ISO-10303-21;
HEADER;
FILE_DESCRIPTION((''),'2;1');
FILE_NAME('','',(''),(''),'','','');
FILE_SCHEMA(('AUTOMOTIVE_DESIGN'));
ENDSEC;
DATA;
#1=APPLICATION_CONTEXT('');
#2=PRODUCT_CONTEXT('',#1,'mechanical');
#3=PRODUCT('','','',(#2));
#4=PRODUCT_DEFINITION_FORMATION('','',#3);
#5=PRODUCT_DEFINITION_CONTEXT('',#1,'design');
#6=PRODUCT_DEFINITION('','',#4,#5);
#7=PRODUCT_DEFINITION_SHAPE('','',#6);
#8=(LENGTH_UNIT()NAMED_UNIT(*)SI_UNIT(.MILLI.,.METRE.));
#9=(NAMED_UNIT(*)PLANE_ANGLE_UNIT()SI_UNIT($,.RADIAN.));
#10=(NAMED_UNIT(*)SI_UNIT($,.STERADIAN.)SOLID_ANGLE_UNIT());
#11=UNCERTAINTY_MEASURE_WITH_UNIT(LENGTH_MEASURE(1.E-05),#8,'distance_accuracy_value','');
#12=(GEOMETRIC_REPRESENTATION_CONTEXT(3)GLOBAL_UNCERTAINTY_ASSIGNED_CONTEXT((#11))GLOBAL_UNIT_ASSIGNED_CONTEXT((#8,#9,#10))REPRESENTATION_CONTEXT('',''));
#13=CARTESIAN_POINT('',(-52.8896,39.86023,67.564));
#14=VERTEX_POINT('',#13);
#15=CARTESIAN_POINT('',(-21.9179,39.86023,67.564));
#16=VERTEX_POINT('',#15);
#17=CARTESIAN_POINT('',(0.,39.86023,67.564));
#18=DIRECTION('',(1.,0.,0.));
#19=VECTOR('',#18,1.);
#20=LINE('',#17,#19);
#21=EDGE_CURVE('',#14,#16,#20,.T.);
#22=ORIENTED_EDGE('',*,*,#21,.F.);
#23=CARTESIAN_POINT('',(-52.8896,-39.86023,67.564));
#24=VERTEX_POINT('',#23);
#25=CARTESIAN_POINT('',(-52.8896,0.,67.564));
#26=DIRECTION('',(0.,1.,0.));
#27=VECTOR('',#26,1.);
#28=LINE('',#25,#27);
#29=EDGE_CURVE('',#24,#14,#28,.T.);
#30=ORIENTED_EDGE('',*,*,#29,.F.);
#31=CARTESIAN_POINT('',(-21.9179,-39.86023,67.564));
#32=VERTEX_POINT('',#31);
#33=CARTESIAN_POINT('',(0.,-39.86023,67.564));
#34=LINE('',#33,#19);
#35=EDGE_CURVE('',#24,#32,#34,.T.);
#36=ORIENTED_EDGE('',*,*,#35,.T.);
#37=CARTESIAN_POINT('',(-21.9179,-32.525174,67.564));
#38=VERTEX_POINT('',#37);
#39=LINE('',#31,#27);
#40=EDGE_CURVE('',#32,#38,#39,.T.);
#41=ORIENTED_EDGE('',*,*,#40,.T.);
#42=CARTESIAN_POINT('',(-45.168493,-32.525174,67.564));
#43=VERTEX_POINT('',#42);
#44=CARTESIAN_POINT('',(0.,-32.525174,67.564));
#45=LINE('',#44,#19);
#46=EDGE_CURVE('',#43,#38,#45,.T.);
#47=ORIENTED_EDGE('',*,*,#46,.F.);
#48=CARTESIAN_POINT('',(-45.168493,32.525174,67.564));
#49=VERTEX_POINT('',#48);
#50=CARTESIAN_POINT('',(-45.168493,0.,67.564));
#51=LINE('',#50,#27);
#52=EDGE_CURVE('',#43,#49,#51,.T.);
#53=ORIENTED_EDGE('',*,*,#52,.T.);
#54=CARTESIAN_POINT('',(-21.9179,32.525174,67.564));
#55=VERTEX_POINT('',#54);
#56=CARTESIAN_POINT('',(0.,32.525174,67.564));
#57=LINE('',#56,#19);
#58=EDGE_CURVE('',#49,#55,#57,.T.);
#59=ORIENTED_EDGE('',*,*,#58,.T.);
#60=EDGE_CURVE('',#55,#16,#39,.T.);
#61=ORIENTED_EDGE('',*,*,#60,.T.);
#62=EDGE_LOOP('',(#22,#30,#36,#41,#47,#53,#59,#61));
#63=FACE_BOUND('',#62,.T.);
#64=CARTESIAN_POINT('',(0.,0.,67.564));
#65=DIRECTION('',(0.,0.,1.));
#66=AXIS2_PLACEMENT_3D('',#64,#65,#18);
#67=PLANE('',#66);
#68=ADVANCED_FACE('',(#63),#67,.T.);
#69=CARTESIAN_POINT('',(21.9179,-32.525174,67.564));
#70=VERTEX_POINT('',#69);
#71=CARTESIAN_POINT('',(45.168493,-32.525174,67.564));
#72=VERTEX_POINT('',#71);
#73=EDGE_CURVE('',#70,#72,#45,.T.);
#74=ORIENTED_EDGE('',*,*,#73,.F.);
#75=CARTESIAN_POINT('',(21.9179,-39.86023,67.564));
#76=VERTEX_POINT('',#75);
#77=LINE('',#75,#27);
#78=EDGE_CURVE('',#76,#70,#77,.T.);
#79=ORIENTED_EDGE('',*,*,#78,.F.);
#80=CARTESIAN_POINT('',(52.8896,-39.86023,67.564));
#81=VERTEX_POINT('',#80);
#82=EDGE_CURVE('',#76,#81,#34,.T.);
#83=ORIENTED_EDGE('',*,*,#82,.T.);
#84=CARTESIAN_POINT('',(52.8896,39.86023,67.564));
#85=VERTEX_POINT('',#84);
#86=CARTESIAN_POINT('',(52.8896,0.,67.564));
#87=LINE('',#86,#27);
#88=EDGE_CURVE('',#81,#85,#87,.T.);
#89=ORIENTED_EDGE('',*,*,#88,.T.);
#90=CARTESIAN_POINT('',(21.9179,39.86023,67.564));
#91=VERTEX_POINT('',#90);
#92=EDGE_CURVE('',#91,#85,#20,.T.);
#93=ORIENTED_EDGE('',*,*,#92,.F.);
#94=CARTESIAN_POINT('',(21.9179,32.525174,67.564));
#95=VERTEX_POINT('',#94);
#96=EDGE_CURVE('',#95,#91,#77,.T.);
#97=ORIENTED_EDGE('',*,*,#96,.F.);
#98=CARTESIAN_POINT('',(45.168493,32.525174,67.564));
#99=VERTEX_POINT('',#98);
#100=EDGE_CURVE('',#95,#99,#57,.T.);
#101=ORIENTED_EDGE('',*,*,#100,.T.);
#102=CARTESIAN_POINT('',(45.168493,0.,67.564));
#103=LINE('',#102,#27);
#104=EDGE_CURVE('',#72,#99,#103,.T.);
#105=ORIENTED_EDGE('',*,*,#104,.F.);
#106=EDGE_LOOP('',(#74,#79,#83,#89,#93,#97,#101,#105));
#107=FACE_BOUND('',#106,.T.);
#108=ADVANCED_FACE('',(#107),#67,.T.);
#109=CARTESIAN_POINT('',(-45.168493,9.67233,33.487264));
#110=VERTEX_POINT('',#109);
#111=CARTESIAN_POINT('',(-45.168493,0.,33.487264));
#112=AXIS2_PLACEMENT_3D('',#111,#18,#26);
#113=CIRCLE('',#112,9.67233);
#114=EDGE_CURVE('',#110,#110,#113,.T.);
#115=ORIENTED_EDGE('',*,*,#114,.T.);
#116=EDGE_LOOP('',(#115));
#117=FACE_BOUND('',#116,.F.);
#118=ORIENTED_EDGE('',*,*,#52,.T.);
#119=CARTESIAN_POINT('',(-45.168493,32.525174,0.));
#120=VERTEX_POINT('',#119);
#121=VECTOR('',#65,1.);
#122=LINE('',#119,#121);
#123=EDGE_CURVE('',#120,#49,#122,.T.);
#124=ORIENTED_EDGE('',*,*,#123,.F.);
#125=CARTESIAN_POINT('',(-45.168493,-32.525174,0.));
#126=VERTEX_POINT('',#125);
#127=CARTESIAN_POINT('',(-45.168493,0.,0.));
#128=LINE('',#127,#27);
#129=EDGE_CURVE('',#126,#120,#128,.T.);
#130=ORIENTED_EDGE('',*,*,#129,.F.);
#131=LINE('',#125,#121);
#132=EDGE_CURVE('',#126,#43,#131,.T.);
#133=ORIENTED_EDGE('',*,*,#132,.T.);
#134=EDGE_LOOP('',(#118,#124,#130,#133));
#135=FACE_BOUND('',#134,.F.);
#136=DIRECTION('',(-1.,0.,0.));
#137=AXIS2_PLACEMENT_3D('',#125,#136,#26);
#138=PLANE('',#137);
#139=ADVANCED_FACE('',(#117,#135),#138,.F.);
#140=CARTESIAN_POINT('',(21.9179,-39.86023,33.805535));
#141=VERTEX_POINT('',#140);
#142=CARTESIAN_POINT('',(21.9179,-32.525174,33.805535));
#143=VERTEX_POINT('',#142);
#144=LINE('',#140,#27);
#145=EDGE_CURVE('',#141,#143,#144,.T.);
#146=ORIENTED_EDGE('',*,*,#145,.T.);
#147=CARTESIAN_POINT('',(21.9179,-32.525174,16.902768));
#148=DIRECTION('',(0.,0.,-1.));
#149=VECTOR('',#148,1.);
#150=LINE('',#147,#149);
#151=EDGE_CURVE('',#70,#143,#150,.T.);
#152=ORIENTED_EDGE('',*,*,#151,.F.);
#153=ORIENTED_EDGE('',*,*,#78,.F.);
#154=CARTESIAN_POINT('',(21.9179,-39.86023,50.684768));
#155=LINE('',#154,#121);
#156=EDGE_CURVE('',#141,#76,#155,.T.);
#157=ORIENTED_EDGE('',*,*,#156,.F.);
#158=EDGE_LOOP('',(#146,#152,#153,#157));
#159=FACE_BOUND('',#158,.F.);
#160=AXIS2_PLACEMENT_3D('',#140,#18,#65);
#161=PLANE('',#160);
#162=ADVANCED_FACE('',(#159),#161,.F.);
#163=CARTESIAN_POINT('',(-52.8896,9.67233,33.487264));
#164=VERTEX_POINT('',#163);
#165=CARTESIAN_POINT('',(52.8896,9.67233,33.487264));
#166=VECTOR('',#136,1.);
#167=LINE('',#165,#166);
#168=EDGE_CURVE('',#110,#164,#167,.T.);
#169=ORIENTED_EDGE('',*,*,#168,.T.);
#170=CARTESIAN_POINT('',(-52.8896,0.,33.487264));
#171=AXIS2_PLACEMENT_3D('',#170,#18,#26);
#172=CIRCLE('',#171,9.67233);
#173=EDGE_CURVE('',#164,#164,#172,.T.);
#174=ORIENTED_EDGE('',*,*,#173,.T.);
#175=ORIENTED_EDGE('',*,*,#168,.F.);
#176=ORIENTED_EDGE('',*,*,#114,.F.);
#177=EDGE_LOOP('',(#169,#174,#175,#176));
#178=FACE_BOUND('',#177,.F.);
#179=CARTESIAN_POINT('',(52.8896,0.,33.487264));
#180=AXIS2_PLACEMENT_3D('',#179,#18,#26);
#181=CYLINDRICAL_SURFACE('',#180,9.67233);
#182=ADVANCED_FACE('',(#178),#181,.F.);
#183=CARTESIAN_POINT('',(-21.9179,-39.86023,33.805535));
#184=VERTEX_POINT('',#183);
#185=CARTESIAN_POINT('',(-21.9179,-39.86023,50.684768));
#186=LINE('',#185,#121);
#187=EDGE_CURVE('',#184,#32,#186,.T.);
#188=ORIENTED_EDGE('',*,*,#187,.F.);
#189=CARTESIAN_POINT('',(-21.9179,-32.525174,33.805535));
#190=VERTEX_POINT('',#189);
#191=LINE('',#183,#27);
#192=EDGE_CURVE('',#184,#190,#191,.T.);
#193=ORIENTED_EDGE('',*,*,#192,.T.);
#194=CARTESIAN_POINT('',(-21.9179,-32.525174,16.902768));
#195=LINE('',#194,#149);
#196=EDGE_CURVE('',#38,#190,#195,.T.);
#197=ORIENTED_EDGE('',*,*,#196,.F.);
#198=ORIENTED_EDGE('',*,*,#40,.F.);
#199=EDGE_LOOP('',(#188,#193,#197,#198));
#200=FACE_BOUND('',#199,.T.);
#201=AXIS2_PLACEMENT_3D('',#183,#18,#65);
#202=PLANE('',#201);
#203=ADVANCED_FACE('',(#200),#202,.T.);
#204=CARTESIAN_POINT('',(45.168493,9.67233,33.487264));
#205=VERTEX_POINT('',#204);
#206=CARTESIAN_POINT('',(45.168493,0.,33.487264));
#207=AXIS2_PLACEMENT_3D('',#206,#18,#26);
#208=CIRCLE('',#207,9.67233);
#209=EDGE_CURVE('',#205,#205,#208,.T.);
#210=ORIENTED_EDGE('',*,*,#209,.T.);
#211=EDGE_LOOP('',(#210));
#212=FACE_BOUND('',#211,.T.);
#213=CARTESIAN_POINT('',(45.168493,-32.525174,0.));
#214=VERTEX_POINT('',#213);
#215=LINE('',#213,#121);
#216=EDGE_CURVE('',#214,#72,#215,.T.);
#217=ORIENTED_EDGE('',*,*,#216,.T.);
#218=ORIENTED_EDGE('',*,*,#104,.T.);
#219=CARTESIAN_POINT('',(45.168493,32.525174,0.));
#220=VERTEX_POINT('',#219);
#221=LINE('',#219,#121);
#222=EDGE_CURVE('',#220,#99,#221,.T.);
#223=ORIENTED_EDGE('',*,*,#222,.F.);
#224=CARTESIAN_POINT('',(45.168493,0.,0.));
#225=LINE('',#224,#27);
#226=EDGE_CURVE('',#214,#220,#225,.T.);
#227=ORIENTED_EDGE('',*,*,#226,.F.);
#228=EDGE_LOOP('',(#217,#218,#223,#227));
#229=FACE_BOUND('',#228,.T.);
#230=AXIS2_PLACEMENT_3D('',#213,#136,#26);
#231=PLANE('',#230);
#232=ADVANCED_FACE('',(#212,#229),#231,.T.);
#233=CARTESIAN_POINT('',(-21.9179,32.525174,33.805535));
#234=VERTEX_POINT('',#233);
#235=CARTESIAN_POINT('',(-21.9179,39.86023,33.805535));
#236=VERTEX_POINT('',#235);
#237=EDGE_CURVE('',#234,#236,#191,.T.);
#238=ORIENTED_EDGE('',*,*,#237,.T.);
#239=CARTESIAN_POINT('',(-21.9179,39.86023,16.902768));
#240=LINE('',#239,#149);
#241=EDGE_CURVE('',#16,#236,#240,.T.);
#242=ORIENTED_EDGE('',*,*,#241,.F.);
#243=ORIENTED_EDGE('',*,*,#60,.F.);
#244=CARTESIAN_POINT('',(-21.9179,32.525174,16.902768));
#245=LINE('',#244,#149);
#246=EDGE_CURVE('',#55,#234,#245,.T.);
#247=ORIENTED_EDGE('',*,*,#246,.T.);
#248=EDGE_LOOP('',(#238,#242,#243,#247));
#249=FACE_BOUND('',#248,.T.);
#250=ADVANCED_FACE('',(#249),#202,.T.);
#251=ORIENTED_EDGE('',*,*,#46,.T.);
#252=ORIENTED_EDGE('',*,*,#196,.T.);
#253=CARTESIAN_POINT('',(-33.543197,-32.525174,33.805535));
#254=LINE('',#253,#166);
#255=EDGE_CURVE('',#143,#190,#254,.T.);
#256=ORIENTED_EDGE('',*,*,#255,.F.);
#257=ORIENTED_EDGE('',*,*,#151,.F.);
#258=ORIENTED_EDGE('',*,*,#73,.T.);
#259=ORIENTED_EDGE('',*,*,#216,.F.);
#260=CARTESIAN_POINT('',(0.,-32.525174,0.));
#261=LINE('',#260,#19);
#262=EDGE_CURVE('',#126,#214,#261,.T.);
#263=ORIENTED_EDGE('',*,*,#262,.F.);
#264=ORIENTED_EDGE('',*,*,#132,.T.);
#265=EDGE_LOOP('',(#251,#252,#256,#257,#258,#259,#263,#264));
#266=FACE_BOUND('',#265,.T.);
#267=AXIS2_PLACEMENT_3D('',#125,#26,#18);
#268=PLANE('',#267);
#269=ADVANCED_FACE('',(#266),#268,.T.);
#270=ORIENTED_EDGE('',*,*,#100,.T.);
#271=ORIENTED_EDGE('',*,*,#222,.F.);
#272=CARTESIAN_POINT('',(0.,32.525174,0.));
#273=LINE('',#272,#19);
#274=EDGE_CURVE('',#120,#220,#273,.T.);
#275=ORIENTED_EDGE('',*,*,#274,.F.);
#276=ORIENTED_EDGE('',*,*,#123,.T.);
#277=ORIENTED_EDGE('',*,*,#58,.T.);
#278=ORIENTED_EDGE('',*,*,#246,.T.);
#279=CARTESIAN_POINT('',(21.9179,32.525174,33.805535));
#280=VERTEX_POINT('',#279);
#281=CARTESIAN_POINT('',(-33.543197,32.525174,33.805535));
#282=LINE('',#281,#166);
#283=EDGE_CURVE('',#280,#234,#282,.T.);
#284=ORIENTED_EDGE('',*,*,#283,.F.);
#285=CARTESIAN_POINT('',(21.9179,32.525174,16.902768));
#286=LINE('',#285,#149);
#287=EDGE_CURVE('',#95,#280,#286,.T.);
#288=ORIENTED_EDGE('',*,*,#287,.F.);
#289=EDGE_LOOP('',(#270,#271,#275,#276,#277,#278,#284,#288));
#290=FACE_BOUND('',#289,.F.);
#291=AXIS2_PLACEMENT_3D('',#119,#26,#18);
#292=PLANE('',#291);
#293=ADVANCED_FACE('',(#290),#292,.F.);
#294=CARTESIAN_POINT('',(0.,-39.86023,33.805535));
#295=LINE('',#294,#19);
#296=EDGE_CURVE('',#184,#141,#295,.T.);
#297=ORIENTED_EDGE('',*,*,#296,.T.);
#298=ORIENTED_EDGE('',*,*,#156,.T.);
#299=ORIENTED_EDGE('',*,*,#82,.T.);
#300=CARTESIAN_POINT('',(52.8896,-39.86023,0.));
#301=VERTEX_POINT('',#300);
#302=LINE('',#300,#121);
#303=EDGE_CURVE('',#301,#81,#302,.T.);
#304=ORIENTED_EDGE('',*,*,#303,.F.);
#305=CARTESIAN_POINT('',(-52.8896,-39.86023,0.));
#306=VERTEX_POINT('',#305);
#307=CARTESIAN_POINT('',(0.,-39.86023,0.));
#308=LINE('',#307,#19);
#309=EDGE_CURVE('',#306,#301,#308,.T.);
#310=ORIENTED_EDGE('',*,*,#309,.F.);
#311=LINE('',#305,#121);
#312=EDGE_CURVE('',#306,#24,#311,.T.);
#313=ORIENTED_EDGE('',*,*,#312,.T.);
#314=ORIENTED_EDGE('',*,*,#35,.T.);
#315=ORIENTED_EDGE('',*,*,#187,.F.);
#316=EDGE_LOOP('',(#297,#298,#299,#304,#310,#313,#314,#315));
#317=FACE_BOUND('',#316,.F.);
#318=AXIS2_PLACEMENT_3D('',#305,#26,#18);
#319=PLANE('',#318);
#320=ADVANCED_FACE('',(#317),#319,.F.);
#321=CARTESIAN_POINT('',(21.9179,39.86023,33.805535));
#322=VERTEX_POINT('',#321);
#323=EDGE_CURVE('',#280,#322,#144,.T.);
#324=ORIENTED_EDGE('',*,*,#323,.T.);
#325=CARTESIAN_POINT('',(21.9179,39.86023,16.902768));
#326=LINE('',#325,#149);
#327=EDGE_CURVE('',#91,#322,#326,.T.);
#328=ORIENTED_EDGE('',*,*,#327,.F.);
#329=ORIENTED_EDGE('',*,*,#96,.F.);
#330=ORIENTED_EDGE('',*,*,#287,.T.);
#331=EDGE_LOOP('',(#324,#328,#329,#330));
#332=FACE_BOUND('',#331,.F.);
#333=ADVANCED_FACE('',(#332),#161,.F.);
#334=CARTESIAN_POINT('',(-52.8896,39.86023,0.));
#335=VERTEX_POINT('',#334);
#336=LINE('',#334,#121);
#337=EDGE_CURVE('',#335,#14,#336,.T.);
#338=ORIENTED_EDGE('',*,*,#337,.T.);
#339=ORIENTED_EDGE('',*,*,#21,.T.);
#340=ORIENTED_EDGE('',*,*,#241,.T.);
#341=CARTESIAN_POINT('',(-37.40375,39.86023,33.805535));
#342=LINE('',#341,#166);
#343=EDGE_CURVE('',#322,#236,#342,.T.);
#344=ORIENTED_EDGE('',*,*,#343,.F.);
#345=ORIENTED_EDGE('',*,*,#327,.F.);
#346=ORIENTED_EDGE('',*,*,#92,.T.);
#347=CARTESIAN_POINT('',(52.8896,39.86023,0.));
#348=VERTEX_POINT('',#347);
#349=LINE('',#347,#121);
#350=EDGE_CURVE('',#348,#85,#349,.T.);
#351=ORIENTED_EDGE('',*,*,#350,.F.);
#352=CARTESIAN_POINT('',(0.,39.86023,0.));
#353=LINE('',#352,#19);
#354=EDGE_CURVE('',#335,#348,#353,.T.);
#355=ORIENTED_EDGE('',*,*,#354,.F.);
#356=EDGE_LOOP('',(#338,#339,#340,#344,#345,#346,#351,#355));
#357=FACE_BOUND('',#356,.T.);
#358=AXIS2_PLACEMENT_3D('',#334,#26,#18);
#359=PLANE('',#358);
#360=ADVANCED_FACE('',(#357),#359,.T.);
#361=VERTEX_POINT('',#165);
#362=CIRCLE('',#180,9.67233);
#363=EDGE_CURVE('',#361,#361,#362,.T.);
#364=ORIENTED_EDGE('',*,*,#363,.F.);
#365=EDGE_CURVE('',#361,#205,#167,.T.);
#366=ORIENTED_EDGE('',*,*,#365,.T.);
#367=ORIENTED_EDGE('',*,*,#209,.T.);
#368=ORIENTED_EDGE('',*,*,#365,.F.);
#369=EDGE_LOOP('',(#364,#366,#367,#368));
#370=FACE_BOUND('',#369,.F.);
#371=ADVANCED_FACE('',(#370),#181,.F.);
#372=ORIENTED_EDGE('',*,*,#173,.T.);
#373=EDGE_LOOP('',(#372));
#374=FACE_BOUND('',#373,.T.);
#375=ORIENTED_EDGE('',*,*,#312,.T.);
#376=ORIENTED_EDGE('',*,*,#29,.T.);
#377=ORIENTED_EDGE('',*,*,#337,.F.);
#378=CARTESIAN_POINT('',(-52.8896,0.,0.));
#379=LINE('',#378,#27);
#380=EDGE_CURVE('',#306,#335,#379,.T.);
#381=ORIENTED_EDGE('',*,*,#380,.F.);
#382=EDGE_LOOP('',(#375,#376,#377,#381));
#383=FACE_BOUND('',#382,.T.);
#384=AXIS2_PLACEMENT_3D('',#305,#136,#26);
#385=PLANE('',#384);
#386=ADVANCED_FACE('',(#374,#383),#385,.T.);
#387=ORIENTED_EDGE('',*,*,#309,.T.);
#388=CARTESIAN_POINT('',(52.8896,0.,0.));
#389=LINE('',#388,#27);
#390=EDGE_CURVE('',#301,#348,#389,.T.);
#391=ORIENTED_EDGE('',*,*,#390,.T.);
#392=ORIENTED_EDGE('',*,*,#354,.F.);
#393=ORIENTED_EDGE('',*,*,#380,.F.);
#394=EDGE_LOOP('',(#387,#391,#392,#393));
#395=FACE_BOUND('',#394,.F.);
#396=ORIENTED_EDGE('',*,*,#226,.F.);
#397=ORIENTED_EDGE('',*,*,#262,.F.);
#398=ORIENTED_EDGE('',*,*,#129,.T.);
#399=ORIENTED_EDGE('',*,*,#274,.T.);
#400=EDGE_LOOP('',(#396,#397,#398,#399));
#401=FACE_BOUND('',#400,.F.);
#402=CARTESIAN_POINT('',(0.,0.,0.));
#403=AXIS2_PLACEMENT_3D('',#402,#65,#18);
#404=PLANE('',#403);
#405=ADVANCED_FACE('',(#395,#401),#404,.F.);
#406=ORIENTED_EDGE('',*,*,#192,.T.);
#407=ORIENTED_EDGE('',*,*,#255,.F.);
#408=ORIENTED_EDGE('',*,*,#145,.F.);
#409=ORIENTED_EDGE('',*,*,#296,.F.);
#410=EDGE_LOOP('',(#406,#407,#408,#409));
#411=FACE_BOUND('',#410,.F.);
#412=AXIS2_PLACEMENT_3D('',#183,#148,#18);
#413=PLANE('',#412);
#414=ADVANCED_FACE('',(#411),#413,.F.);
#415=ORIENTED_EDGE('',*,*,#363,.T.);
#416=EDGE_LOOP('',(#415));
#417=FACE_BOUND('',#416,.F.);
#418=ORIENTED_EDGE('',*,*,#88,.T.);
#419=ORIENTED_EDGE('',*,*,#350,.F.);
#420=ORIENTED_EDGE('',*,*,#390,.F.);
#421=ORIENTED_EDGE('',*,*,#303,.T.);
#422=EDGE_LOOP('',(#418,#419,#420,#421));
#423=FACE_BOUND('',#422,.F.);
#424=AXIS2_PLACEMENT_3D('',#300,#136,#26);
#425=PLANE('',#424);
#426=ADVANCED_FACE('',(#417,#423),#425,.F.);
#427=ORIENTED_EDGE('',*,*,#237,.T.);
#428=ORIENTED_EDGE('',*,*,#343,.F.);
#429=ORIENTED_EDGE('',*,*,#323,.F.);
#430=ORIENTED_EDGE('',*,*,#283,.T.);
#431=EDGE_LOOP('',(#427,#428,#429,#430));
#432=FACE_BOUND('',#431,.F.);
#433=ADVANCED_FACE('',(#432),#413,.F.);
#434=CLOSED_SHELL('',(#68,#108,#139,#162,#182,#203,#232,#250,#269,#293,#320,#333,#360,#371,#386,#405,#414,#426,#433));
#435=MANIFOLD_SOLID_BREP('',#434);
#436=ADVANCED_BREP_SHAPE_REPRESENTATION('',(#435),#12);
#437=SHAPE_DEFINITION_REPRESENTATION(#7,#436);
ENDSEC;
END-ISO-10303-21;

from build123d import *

# Parameters (mm, degrees)
F0_W     = 105.7792007923
F0_H     = 79.7204598784
F0_W_2   = 90.3369858861
F0_H_2   = 65.0503486395
F1_DEPTH = 67.564
F2_W     = 43.8358001411
F2_H     = 33.7584646449
F3_DEPTH = 96.012
F4_R     = 9.6723299626
F5_DEPTH = 129.032


with BuildPart() as f1:
    # F0 (on Top) → F1 (new body)
    with BuildSketch(Plane.XY):
        Rectangle(F0_W, F0_H)
        Rectangle(F0_W_2, F0_H_2, mode=Mode.SUBTRACT)
    extrude(amount=F1_DEPTH)

    # F2 (on face) → F3 (cut)
    with BuildSketch(Plane.XZ.offset(39.8602299392)):
        with Locations((0, 50.6847676775)):
            Rectangle(F2_W, F2_H)
    extrude(amount=-F3_DEPTH, mode=Mode.SUBTRACT)

    # F4 (on face) → F5 (cut)
    with BuildSketch(Plane.YZ.offset(52.8896003962)):
        with Locations((0, 33.4872640669)):
            Circle(F4_R)
    extrude(amount=-F5_DEPTH, mode=Mode.SUBTRACT)


solid = f1.part
